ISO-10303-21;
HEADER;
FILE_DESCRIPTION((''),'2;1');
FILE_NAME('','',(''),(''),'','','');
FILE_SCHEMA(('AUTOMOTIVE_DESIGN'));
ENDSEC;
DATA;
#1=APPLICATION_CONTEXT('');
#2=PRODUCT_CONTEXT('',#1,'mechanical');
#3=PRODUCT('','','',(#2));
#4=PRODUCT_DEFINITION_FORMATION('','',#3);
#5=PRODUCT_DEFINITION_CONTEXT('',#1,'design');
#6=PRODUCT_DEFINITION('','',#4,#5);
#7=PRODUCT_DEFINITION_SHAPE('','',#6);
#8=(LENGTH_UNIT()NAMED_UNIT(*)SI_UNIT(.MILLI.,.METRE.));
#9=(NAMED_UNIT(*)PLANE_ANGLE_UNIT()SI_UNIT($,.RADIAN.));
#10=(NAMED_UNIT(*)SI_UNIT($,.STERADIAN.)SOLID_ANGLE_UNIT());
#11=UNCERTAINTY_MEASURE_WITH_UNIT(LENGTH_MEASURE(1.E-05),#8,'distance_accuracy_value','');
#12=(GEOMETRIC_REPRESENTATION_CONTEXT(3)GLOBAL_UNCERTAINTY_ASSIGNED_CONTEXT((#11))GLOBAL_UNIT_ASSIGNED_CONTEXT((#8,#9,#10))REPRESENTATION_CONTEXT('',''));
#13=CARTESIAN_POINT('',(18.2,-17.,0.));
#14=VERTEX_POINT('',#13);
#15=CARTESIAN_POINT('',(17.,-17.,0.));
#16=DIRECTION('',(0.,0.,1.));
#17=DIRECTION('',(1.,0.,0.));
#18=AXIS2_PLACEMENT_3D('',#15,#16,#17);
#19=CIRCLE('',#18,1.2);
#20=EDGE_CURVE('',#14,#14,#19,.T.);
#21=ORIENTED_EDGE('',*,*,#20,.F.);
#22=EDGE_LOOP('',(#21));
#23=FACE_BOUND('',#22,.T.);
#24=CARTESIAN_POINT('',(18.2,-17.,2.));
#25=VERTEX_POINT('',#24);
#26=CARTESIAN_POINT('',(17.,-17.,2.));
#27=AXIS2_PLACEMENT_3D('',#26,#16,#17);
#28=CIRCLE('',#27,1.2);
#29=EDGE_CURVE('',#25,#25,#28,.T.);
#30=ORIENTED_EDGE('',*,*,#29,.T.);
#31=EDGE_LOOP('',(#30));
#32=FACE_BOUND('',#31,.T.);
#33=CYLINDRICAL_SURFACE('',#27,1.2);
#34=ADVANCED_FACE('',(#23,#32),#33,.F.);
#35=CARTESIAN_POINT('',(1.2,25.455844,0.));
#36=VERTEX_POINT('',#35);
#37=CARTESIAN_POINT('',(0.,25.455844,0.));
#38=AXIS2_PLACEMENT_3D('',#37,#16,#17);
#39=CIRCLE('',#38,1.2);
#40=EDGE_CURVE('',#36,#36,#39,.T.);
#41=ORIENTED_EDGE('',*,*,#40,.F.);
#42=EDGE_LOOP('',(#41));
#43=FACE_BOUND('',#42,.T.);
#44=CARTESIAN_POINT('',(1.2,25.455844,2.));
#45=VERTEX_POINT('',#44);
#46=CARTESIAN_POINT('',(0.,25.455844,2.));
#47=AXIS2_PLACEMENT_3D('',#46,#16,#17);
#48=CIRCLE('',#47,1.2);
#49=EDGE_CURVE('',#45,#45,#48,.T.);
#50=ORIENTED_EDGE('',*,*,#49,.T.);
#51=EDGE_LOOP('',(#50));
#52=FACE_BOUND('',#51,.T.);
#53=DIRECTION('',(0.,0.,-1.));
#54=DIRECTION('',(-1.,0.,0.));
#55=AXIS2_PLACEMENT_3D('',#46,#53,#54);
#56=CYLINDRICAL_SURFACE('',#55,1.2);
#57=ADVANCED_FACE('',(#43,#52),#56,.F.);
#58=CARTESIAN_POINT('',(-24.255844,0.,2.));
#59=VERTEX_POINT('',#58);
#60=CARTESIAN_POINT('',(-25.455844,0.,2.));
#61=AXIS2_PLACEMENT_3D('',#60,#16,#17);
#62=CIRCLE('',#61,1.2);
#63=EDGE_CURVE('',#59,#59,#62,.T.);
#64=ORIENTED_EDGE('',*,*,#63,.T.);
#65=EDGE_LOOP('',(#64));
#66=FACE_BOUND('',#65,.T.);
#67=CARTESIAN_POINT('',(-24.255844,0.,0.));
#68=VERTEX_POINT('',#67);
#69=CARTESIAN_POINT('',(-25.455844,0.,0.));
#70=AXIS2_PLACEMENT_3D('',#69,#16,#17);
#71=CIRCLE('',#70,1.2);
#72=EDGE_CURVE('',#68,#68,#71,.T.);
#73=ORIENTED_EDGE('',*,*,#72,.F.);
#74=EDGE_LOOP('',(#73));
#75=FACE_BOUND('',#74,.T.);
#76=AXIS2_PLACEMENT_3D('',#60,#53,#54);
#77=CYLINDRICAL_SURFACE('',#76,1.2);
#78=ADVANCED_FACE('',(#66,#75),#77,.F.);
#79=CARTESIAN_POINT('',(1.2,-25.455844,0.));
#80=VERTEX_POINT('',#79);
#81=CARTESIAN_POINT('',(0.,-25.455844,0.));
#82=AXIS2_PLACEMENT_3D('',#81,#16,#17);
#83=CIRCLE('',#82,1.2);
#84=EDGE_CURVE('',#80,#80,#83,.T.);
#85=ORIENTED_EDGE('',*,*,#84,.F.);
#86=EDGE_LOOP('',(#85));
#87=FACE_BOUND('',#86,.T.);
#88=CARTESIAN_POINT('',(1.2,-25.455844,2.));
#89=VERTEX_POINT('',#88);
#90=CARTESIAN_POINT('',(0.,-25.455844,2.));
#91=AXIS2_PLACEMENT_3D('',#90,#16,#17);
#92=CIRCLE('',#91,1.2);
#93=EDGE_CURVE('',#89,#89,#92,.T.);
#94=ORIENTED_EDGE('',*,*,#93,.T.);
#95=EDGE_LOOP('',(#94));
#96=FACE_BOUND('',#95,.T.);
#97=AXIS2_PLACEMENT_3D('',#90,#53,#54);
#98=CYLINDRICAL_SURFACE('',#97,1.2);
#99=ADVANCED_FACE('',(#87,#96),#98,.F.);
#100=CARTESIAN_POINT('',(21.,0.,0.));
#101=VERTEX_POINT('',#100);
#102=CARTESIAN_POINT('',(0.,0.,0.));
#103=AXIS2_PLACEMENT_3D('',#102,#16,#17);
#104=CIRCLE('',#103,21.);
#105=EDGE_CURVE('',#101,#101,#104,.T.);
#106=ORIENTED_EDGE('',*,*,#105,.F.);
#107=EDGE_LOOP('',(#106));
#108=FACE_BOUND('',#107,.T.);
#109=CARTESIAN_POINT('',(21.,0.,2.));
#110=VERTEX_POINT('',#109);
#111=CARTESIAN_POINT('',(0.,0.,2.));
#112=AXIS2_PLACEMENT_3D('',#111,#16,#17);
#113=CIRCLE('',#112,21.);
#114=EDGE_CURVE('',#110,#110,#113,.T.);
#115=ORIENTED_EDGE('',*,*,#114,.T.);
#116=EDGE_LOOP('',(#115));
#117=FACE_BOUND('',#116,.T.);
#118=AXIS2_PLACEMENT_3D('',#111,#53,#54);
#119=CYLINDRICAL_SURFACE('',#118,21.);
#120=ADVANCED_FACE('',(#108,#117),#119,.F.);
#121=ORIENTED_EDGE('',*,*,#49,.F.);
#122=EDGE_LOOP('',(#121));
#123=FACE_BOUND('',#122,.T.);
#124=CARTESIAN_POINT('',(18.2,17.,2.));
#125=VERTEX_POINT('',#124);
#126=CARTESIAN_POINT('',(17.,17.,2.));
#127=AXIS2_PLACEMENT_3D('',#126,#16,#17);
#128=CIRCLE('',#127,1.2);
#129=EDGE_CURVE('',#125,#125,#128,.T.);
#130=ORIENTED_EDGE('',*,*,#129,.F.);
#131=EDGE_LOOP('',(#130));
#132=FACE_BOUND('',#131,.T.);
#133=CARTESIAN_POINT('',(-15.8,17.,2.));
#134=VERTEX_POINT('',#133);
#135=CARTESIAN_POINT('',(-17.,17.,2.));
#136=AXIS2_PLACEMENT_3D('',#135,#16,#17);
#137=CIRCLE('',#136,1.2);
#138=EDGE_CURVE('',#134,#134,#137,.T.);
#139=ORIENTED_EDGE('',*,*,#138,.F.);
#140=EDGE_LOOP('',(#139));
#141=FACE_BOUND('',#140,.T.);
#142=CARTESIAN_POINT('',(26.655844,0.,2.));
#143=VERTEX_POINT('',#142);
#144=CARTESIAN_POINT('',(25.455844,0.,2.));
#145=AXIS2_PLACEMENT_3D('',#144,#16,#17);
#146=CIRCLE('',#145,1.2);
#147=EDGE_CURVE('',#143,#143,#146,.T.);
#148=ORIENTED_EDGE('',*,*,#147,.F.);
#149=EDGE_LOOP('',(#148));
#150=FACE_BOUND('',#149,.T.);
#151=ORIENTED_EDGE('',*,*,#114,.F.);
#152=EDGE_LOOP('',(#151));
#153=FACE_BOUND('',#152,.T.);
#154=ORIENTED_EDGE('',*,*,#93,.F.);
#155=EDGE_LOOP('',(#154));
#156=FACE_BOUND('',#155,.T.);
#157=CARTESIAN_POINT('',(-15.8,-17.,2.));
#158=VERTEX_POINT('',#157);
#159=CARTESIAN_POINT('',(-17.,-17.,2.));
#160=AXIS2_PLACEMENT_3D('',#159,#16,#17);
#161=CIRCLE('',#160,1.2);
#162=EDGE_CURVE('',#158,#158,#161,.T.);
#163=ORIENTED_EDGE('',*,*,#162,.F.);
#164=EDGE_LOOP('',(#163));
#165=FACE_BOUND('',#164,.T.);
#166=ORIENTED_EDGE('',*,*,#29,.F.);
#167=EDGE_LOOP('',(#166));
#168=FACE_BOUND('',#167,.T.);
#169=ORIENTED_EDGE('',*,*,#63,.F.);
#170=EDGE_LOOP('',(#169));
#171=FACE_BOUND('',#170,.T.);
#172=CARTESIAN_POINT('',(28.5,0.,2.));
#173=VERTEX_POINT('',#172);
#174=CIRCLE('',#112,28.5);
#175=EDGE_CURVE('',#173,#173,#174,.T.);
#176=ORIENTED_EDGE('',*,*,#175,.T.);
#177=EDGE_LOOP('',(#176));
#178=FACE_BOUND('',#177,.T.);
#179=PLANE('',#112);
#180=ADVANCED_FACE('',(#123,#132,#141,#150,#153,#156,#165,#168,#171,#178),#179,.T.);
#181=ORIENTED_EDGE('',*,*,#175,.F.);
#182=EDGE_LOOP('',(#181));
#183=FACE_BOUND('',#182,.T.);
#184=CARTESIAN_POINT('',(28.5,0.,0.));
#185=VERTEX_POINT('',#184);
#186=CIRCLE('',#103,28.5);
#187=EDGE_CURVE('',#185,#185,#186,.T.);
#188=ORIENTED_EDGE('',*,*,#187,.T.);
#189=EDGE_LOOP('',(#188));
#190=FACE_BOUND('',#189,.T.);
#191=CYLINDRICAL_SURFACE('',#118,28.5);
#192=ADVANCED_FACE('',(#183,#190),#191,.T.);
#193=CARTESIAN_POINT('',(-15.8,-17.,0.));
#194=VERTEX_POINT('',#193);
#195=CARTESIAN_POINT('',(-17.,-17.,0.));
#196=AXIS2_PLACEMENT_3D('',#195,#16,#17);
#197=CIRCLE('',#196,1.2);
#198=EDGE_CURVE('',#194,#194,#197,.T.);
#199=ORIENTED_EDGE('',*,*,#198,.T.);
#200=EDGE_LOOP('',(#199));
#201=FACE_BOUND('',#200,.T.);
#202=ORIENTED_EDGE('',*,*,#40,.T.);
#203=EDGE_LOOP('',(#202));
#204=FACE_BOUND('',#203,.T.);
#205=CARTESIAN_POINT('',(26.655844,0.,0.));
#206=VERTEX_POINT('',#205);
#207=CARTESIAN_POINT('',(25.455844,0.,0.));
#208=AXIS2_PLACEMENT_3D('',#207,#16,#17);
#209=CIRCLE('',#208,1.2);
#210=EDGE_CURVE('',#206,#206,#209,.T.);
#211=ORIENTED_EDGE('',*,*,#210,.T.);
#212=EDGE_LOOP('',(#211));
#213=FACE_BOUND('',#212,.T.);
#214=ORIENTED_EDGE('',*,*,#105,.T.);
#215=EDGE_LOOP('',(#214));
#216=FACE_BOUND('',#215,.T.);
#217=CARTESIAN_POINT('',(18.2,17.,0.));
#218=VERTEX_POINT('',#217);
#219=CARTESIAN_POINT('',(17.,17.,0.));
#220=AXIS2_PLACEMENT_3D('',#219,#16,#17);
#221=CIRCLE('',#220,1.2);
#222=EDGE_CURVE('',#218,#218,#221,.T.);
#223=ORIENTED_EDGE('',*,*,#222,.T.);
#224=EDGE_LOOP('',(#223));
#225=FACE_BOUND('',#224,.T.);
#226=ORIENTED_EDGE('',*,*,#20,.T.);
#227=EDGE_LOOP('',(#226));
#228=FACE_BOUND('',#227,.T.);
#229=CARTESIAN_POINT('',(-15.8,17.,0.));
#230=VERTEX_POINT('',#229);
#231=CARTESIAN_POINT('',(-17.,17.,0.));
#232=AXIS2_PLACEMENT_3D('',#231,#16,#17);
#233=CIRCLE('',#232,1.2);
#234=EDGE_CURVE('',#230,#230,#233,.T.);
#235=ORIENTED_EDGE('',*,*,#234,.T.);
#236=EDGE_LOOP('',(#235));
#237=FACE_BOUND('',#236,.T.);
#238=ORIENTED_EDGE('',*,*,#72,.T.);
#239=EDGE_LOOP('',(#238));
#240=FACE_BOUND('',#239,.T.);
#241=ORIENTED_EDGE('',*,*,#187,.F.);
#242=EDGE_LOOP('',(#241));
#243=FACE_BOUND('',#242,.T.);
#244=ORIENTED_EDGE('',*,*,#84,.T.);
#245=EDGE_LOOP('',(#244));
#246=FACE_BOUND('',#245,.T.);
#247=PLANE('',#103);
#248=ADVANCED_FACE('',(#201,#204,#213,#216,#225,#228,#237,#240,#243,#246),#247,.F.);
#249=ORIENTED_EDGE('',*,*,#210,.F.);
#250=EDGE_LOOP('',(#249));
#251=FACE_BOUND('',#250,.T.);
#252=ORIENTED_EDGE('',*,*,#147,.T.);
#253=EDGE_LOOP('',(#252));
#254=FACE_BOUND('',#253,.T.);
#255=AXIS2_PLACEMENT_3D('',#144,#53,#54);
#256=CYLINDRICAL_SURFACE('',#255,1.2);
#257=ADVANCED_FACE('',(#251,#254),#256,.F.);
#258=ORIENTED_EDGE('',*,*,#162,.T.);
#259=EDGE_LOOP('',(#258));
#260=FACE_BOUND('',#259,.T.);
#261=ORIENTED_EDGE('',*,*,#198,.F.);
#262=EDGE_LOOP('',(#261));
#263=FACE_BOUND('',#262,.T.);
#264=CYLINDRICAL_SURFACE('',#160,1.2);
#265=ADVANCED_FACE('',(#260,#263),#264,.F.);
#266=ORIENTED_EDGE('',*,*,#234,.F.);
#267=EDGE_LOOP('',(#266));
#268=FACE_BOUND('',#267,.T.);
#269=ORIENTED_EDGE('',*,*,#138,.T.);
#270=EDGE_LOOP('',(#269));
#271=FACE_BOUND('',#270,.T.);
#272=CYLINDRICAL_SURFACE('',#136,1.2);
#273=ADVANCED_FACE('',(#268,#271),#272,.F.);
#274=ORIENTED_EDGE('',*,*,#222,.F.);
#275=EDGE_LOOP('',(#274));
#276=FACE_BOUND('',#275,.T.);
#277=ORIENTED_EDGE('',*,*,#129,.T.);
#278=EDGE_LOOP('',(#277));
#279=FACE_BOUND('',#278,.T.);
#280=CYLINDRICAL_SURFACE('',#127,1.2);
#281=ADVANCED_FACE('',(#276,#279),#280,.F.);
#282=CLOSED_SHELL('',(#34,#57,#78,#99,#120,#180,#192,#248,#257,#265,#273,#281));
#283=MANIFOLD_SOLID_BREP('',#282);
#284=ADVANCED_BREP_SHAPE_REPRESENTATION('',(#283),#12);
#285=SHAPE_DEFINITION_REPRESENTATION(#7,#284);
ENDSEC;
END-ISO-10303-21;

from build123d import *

# Parameters (mm, degrees)
SKETCH_1_R          = 28.5
SKETCH_1_R_2        = 21
EXTRUDE_1_DEPTH     = 2
SKETCH_2_R          = 1.2
CUT_EXTRUDE_1_DEPTH = 41.354677548
HOLE_WIZARD_M2_1_D  = 2.4


with BuildPart() as part:
    # 스케치1 → 보스-돌출1 (new body)
    with BuildSketch(Plane.XY):
        Circle(SKETCH_1_R)
        Circle(SKETCH_1_R_2, mode=Mode.SUBTRACT)
    extrude(amount=EXTRUDE_1_DEPTH)

    # 스케치2 → 컷-돌출1 (cut, through all)
    with BuildSketch(Plane.XY):
        with Locations((0, 25.455844123)):
            Circle(SKETCH_2_R)
        with Locations((25.455844123, 0)):
            Circle(SKETCH_2_R)
        with Locations((-25.455844123, 0)):
            Circle(SKETCH_2_R)
        with Locations((0, -25.455844123)):
            Circle(SKETCH_2_R)
    extrude(amount=CUT_EXTRUDE_1_DEPTH, mode=Mode.SUBTRACT)

    # M2 여유 구멍1 (through all)
    with Locations(Plane(origin=(-17, 17, 2), x_dir=(1, 0, 0), z_dir=(0, 0, 1))):
        with Locations((0, 0), (34, 0), (34, -34), (0, -34)):
            Hole(HOLE_WIZARD_M2_1_D / 2)


solid = part.part
